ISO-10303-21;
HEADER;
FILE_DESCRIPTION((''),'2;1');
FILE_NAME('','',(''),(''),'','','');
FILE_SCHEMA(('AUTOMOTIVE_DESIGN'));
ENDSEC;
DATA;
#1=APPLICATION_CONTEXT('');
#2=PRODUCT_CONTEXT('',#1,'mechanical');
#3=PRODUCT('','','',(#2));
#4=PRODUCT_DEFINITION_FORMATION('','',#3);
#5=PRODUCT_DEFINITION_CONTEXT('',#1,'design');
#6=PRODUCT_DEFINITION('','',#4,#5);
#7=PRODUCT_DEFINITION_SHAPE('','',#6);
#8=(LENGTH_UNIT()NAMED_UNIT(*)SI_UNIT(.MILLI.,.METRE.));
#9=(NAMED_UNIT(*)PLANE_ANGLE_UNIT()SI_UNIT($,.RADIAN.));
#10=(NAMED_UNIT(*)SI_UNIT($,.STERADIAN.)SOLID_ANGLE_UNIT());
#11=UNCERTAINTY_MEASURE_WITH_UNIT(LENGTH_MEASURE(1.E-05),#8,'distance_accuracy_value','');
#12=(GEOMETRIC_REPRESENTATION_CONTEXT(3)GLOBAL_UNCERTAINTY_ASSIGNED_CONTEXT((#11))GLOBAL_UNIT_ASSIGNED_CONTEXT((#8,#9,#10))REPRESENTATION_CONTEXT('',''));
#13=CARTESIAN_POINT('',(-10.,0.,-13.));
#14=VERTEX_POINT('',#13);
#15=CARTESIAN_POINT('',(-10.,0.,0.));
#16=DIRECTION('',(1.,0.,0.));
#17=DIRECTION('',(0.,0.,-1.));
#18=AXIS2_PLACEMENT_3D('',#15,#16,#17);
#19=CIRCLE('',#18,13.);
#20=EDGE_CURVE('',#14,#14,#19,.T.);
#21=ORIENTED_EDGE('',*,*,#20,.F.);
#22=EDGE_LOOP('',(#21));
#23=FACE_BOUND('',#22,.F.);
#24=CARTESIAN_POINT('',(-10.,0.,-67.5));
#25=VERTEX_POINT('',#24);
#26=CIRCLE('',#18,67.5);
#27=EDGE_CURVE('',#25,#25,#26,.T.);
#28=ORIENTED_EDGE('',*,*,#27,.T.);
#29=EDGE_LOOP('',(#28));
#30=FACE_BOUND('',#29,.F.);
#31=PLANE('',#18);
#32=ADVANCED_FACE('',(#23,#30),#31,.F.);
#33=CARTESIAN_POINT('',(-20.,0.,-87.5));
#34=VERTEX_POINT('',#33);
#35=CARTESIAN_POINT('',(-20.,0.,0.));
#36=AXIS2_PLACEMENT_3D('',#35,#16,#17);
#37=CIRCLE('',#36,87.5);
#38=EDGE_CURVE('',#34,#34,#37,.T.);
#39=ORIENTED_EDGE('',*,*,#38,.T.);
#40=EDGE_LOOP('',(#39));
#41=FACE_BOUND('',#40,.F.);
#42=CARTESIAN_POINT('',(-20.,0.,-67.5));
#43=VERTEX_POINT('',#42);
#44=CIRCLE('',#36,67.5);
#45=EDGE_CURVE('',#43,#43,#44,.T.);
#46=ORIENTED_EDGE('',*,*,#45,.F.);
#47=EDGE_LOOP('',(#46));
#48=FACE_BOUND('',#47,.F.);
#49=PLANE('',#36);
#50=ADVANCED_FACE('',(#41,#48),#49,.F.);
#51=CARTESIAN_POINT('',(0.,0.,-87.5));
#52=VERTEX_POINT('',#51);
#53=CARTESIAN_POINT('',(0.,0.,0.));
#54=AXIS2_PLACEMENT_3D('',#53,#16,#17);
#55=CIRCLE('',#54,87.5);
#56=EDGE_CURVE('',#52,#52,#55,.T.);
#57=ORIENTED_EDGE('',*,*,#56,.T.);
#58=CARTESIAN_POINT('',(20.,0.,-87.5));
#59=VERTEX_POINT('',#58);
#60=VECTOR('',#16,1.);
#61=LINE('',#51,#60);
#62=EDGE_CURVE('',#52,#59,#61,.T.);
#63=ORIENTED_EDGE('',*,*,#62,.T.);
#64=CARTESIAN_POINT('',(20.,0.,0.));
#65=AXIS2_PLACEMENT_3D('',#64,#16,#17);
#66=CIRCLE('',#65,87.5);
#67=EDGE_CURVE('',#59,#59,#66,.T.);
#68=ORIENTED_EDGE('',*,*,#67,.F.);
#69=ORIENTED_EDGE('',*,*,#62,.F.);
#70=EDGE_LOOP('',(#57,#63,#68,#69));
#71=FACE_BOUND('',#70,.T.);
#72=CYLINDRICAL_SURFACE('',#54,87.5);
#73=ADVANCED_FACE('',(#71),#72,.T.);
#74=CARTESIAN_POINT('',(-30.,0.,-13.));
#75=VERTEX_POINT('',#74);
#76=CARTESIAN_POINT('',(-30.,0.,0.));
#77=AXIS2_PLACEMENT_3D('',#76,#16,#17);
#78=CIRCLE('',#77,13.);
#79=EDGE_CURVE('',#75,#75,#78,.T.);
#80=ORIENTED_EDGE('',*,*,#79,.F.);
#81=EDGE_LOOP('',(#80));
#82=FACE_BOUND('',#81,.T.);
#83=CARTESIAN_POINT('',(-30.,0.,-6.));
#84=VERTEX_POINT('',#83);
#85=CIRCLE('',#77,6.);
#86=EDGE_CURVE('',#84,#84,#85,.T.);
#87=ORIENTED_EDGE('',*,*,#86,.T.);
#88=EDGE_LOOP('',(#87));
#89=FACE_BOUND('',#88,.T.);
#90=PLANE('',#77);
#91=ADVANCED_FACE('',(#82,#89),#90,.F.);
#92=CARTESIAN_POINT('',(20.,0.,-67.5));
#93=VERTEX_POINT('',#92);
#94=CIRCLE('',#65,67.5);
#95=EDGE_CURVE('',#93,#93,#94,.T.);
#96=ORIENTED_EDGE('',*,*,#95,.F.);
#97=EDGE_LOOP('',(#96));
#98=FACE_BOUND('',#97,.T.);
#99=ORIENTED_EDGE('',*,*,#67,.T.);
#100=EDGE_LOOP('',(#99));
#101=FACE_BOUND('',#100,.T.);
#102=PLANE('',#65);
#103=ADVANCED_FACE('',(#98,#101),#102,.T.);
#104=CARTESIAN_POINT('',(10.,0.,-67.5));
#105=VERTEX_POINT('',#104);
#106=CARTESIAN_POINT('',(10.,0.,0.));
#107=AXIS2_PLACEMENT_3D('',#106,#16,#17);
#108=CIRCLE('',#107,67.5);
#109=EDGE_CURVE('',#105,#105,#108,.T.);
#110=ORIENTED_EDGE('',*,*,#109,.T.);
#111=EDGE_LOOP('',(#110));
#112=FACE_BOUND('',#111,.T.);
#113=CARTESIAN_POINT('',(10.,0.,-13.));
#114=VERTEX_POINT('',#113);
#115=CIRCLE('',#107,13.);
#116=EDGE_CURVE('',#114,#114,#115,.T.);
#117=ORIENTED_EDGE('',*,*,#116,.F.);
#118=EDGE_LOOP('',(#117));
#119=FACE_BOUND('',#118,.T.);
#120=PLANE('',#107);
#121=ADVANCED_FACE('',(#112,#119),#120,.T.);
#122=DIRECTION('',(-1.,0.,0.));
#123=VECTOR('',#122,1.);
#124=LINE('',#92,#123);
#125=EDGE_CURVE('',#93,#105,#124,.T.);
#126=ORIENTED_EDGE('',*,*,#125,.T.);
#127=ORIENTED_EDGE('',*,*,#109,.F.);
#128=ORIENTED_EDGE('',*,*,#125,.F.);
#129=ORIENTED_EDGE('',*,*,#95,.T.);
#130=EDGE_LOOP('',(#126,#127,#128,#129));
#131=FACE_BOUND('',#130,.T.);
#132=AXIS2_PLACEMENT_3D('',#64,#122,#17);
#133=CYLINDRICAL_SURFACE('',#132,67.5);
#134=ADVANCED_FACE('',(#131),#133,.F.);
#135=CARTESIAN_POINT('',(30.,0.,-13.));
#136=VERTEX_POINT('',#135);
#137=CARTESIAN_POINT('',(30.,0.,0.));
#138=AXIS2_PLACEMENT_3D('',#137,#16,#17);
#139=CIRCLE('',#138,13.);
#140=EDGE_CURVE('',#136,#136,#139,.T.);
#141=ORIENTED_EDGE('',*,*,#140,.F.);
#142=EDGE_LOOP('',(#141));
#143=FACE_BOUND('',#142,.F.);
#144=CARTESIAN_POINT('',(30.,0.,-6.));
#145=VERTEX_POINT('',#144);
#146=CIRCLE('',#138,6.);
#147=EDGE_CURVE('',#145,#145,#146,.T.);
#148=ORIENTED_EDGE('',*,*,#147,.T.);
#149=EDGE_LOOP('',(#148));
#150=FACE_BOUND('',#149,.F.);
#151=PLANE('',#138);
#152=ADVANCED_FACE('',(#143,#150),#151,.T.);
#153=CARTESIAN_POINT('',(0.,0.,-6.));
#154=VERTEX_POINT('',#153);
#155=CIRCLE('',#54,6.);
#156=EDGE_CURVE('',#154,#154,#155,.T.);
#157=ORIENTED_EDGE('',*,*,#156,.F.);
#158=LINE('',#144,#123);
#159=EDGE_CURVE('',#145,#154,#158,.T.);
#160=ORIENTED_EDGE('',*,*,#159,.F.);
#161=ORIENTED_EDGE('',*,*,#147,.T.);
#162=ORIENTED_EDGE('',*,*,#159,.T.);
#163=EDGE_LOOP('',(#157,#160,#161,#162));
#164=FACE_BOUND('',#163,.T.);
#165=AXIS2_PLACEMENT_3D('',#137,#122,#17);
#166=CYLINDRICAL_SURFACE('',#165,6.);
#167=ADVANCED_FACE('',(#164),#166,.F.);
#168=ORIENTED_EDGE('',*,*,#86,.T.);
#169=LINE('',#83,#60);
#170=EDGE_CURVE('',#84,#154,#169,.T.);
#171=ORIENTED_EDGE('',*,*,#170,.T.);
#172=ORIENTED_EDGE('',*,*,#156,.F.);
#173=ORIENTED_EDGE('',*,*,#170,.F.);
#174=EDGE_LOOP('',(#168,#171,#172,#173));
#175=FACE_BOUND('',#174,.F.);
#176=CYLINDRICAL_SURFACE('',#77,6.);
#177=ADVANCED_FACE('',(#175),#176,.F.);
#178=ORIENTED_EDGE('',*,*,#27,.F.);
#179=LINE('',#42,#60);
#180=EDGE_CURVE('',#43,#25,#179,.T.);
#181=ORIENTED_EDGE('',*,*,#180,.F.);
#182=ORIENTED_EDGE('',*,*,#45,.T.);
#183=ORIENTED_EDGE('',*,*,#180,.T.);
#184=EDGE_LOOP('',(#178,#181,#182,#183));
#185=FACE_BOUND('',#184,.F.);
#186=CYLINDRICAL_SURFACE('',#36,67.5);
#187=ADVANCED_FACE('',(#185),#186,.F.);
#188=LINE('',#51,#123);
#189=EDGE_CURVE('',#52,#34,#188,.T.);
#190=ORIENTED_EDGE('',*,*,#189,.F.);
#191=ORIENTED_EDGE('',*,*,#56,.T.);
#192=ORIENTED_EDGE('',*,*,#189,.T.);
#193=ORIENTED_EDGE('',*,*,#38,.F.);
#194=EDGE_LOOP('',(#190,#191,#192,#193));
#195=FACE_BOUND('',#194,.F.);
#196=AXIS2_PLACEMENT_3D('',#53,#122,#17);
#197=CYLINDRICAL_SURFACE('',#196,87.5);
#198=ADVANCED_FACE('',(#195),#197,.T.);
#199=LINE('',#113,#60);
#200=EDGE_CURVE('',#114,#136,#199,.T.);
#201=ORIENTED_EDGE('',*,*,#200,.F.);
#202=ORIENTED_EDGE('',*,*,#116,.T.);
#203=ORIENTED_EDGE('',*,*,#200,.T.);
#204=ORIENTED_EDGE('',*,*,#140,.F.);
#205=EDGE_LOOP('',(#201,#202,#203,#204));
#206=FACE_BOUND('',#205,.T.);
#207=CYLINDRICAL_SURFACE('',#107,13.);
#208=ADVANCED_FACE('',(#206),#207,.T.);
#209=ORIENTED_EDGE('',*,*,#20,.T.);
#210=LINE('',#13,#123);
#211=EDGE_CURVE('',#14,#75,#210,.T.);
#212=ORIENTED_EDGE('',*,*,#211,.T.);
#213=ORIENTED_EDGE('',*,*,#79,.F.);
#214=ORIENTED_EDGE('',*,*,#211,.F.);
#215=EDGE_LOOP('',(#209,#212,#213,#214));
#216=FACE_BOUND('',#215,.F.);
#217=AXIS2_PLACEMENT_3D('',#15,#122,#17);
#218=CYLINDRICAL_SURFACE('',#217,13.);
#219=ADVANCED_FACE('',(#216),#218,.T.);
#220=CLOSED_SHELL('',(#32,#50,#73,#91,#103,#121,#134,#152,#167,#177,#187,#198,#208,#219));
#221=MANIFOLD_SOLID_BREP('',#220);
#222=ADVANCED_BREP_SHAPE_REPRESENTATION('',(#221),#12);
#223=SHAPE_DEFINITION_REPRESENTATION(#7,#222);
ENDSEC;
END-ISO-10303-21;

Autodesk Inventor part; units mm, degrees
ref_plane "YZ Plane" through (0, 0, 0) normal (1, 0, 0) x (0, 1, 0)
ref_plane "XZ Plane" through (0, 0, 0) normal (0, 1, 0) x (-1, 0, 0)
ref_plane "XY Plane" through (0, 0, 0) normal (0, 0, 1) x (1, 0, 0)
sketch "Sketch1" plane through (0, 0, 0) normal (0, 1, 0) x (-1, 0, 0)
  line L0 (0, 0) -> (30, 0) construction
  line L1 (30, 0) -> (30, -6) construction
  line L2 (30, -6) -> (30, -13)
  line L3 (0, -87.5) -> (20, -87.5)
  line L4 (20, -87.5) -> (20, -67.5)
  line L5 (30, -6) -> (0, -6)
  line L6 (0, 0) -> (0, -87.5) construction
  line L7 (0, 0) -> (-30, 0) construction
  line L8 (-30, 0) -> (-30, -6) construction
  line L9 (-30, -6) -> (-30, -13)
  line L10 (0, -87.5) -> (-20, -87.5)
  line L11 (-20, -87.5) -> (-20, -67.5)
  line L12 (-30, -6) -> (0, -6)
  line L13 (20, -67.5) -> (10, -67.5)
  line L14 (10, -67.5) -> (10, -13)
  line L15 (10, -13) -> (30, -13)
  line L16 (-10, -67.5) -> (-10, -13)
  line L17 (-10, -13) -> (-30, -13)
  line L18 (-20, -67.5) -> (-10, -67.5)
  dimension "d0" = 30
  dimension "d1" = 6
  dimension "d3" = 7
  dimension "d4" = 20
  dimension "d5" = 87.5
  dimension "d6" = 20
  dimension "d8" = 10
revolve "Revolution1" add sketch "Sketch1" angle 360 about axis through (0, 0, 0) along (1, 0, 0)
properties part number "PK"
